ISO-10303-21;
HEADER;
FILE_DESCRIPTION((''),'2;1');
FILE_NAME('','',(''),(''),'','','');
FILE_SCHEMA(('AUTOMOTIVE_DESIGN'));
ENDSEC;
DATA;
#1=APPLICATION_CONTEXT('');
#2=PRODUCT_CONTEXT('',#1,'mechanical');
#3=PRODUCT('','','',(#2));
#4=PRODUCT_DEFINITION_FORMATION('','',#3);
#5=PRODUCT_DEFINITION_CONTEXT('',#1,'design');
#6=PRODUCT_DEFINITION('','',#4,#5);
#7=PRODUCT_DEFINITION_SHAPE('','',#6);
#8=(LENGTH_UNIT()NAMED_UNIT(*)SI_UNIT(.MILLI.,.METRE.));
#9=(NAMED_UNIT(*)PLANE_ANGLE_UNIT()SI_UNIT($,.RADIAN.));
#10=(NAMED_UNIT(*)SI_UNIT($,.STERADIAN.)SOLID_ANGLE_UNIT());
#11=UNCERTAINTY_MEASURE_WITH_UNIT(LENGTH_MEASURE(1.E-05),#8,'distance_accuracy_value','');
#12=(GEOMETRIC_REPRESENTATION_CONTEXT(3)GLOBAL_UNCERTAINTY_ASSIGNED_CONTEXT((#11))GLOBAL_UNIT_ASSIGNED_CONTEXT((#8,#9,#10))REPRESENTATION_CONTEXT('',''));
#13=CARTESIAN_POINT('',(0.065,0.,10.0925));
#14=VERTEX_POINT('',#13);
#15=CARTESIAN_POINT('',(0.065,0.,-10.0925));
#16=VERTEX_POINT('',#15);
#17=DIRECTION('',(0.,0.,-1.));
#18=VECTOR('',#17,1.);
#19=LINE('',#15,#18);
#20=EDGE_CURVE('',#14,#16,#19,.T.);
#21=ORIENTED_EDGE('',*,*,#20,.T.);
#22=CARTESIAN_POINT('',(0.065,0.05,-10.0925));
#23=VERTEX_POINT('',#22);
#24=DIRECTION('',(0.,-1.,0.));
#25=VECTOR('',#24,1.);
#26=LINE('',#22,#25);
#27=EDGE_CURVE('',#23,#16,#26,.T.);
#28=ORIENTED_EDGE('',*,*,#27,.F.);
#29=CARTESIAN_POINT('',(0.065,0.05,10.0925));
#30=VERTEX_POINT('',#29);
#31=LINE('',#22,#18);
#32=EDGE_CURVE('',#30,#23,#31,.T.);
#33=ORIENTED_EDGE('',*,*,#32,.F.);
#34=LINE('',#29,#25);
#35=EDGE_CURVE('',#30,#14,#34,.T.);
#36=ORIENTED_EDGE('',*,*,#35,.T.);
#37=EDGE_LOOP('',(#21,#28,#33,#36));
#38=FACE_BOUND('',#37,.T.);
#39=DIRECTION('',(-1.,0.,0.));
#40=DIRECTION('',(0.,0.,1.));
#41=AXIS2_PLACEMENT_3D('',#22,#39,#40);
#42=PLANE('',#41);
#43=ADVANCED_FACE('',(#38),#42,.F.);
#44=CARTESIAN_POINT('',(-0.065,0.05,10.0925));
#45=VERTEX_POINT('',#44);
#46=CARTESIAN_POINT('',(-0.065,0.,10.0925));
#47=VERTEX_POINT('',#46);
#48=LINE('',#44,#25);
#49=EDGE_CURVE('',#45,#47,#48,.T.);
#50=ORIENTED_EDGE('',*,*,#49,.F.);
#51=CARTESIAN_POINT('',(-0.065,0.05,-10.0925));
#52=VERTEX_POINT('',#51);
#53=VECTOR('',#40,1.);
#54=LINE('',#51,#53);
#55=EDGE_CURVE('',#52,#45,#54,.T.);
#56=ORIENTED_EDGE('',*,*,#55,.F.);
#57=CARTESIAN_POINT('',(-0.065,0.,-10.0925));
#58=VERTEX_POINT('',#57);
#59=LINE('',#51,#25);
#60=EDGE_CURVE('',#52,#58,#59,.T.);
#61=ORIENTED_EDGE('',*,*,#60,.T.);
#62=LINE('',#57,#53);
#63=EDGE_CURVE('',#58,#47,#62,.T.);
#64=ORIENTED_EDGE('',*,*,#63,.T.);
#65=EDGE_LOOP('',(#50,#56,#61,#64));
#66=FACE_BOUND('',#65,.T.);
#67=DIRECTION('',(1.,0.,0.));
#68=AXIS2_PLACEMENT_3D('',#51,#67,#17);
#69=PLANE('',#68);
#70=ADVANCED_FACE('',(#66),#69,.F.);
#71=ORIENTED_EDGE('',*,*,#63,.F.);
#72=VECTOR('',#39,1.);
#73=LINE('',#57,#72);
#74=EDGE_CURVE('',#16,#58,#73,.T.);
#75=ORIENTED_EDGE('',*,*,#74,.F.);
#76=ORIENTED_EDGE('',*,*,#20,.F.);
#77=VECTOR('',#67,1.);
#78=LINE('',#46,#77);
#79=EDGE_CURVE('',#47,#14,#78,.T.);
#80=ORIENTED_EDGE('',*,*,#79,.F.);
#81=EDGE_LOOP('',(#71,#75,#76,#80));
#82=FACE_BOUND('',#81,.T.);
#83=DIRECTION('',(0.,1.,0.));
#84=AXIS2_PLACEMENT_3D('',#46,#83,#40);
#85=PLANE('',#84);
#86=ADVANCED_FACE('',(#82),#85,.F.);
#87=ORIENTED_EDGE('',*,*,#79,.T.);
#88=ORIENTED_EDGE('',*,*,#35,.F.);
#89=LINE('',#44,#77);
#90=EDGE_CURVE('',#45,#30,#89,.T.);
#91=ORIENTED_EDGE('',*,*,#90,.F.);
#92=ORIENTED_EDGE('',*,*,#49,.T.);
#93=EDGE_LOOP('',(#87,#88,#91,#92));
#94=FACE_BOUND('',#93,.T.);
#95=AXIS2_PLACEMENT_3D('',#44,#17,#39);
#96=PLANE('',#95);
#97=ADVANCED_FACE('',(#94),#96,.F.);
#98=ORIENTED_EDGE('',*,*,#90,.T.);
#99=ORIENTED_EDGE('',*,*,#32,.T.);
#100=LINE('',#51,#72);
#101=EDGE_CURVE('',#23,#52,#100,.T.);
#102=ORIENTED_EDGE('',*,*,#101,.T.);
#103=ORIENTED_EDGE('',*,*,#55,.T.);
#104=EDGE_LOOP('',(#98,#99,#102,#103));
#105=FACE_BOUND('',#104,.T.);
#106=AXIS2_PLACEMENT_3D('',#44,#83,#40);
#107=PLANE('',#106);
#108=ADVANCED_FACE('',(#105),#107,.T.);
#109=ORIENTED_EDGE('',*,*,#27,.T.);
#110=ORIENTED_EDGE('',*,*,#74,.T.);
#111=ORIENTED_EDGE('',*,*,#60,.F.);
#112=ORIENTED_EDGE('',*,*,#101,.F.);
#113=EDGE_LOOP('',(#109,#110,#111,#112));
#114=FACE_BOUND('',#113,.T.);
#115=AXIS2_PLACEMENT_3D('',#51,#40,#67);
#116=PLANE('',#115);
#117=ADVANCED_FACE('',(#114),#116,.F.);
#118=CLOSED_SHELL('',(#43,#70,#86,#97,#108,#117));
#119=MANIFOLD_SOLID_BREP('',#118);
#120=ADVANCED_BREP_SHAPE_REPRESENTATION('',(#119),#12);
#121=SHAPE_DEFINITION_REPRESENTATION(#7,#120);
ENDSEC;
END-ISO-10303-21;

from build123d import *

# Parameters (mm, degrees)
SKETCH1_W      = 0.13
SKETCH1_H      = 20.185
EXTRUDE1_DEPTH = 0.05


with BuildPart() as part:
    # Sketch1 → Extrude1 (new body)
    with BuildSketch(Plane(origin=(0, 0, 0), x_dir=(1, 0, 0), z_dir=(0, 1, 0))):
        Rectangle(SKETCH1_W, SKETCH1_H)
    extrude(amount=EXTRUDE1_DEPTH)


solid = part.part
